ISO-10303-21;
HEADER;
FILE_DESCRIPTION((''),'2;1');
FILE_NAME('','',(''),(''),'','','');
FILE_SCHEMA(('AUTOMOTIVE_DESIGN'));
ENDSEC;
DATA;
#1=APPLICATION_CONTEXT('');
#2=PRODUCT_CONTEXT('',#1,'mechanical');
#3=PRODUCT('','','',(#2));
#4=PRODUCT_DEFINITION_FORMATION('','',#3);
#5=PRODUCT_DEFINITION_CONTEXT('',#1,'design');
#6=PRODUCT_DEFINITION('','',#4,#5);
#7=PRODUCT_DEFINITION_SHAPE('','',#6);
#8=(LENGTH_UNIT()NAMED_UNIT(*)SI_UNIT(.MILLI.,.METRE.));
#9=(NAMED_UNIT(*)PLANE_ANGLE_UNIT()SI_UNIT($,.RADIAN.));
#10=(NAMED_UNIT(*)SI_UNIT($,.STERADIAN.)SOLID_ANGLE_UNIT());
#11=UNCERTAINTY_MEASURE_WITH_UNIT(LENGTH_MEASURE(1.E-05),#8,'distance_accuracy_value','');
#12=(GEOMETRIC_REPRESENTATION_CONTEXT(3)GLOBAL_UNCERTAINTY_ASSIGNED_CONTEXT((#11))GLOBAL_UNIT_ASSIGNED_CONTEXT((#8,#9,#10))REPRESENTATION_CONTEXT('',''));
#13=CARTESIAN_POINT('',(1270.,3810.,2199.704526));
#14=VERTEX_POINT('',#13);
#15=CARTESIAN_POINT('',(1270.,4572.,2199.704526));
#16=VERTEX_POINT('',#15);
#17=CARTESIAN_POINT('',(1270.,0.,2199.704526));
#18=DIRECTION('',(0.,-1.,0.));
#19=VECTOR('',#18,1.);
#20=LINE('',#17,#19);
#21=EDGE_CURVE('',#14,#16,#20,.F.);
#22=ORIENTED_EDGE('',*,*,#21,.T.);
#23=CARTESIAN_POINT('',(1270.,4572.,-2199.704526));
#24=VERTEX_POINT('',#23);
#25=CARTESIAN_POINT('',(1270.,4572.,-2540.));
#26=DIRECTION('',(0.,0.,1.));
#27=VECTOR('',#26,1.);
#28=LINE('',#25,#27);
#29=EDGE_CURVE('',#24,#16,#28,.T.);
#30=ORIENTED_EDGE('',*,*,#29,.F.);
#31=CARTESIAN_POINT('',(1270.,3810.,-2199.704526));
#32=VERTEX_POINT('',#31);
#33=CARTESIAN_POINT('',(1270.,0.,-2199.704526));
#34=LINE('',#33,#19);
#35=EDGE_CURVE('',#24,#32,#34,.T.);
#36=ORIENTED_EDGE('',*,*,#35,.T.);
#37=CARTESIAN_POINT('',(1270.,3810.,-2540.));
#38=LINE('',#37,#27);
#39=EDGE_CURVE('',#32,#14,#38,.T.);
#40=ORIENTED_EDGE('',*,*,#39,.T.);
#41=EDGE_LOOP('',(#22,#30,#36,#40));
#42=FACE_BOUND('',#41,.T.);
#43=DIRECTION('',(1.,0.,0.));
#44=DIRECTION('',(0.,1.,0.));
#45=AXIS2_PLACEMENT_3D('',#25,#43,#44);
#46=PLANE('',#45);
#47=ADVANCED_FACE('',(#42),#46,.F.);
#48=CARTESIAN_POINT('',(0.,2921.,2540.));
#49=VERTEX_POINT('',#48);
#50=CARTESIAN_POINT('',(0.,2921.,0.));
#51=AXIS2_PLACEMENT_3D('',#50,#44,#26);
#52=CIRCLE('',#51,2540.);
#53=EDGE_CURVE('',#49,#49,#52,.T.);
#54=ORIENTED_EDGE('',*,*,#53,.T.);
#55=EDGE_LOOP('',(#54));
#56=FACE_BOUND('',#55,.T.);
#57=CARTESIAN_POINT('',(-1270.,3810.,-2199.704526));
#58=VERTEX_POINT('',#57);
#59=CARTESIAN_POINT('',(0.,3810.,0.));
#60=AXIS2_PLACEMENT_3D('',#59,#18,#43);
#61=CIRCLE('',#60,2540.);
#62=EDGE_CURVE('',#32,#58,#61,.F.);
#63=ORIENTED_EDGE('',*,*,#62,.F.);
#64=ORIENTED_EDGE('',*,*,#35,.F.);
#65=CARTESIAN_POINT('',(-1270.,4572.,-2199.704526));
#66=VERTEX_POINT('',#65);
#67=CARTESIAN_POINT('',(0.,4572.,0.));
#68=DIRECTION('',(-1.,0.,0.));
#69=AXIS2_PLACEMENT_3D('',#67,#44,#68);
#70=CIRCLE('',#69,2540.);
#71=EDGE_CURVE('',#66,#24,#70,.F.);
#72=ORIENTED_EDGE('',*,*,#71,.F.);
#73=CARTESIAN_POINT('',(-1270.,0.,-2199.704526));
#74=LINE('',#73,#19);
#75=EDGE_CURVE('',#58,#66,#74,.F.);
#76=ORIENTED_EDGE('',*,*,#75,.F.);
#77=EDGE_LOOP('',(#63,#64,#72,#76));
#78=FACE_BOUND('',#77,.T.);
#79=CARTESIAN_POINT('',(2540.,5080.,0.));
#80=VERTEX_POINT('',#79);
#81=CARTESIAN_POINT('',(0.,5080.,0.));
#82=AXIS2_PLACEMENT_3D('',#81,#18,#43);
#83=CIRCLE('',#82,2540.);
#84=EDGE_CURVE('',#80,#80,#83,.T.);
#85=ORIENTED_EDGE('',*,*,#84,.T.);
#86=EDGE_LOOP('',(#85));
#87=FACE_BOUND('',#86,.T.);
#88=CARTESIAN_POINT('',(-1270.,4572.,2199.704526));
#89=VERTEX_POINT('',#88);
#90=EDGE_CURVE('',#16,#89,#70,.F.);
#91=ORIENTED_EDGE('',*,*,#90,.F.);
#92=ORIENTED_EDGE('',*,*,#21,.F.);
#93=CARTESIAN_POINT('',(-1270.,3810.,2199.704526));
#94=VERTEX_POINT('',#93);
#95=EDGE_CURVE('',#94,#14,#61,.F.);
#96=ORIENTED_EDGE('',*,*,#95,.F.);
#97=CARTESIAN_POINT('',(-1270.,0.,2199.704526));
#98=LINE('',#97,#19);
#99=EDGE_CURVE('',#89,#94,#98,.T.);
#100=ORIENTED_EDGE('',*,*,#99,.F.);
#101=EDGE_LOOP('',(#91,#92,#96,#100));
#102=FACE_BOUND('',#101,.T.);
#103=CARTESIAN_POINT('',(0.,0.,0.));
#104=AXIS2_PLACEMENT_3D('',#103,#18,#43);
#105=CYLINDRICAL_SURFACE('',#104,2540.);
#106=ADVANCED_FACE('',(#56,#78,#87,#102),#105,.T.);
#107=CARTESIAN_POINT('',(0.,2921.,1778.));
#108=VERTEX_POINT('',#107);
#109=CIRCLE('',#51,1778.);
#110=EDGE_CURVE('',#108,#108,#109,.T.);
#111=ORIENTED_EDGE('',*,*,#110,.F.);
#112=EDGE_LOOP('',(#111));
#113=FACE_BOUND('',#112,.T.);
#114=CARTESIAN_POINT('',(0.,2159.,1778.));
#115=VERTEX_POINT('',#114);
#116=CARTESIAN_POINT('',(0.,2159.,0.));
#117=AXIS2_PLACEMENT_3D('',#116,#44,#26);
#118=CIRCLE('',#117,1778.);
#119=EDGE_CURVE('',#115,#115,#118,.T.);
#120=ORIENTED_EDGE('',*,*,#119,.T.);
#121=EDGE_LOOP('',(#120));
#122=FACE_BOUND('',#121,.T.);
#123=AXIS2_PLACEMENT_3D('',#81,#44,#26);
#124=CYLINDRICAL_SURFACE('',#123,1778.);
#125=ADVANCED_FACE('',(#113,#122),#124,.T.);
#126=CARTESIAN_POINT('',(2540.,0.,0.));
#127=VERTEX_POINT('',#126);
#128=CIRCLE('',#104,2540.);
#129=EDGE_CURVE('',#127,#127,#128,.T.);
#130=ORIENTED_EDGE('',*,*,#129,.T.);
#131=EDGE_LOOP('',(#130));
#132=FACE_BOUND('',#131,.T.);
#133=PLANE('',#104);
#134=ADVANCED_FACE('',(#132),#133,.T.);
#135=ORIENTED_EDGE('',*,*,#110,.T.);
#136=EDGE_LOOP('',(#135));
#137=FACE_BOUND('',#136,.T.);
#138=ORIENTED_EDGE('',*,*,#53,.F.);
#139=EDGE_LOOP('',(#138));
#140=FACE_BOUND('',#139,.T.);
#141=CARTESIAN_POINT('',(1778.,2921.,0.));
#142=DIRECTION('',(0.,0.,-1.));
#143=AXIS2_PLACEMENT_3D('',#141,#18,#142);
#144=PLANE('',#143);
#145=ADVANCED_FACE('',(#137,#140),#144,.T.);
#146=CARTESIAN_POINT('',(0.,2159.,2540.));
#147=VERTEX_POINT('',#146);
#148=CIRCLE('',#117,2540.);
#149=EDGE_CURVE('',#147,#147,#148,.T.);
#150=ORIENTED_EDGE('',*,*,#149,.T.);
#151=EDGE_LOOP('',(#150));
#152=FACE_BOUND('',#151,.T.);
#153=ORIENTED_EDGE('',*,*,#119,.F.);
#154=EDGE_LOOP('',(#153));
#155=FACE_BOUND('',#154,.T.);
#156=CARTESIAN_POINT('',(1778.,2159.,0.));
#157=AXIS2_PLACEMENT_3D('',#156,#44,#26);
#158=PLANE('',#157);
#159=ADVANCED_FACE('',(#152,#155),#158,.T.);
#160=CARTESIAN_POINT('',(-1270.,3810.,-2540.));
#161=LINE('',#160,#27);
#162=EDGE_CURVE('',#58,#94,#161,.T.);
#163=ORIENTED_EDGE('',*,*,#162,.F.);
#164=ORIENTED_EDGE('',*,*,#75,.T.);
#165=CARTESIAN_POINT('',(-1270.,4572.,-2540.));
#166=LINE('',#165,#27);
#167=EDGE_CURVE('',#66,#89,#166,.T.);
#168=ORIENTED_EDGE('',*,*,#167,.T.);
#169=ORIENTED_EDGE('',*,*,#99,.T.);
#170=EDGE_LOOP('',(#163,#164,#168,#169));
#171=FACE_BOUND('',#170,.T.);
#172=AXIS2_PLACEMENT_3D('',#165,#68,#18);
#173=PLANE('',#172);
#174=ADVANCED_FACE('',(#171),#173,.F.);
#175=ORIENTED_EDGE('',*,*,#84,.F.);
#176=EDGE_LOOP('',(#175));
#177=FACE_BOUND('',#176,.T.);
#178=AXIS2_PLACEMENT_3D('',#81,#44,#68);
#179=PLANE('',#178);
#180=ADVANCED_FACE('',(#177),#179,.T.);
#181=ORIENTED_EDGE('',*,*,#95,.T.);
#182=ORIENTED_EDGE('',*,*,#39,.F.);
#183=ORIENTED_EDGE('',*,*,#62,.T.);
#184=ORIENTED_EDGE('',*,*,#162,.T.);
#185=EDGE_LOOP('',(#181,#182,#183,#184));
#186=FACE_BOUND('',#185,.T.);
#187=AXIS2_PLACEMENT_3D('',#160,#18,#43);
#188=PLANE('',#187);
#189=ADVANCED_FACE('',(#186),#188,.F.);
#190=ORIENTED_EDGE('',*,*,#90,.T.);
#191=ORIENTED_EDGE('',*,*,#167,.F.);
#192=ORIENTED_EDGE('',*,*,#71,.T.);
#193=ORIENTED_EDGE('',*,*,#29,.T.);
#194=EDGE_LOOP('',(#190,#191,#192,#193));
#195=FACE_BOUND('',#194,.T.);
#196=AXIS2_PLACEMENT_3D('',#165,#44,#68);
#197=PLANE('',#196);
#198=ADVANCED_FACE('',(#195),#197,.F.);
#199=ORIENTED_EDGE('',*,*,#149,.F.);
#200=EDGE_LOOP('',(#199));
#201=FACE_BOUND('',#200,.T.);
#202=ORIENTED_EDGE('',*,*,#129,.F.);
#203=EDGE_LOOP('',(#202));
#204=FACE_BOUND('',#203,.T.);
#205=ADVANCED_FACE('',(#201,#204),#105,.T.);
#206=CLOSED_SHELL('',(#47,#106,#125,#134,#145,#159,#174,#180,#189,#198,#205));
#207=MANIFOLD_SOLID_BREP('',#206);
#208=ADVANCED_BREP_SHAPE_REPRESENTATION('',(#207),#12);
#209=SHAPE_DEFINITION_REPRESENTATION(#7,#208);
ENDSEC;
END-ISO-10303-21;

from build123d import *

# Parameters (mm, degrees)
SKETCH1_W               = 2540
SKETCH1_H               = 5080
SKETCH2_W               = 762
SKETCH2_H               = 762
CUT_EXTRUDE1_DEPTH      = 6222.703946669
CUT_EXTRUDE1_DEPTH_BACK = 6222.703946669
SKETCH3_W               = 2540
SKETCH3_H               = 762


with BuildPart() as part:
    # Sketch1 → Revolve1 (revolve)
    with BuildSketch(Plane.XY):
        with Locations((1270, 2540)):
            Rectangle(SKETCH1_W, SKETCH1_H)
    revolve(axis=Axis((0, 0, 0), (0, 1, 0)))

    # Sketch2 → Cut-Revolve1 (revolve, cut)
    with BuildSketch(Plane.XY):
        with Locations((2159, 2540)):
            Rectangle(SKETCH2_W, SKETCH2_H)
    revolve(axis=Axis((0, 5080, 0), (0, -1, 0)), mode=Mode.SUBTRACT)

    # Sketch3 → Cut-Extrude1 (cut, two sides: drawn at the far end of the back side and taken through both)
    with BuildSketch(Plane.XY.offset(-CUT_EXTRUDE1_DEPTH_BACK)):
        with Locations((0, 4191)):
            Rectangle(SKETCH3_W, SKETCH3_H)
    extrude(amount=CUT_EXTRUDE1_DEPTH + CUT_EXTRUDE1_DEPTH_BACK, mode=Mode.SUBTRACT)


solid = part.part
